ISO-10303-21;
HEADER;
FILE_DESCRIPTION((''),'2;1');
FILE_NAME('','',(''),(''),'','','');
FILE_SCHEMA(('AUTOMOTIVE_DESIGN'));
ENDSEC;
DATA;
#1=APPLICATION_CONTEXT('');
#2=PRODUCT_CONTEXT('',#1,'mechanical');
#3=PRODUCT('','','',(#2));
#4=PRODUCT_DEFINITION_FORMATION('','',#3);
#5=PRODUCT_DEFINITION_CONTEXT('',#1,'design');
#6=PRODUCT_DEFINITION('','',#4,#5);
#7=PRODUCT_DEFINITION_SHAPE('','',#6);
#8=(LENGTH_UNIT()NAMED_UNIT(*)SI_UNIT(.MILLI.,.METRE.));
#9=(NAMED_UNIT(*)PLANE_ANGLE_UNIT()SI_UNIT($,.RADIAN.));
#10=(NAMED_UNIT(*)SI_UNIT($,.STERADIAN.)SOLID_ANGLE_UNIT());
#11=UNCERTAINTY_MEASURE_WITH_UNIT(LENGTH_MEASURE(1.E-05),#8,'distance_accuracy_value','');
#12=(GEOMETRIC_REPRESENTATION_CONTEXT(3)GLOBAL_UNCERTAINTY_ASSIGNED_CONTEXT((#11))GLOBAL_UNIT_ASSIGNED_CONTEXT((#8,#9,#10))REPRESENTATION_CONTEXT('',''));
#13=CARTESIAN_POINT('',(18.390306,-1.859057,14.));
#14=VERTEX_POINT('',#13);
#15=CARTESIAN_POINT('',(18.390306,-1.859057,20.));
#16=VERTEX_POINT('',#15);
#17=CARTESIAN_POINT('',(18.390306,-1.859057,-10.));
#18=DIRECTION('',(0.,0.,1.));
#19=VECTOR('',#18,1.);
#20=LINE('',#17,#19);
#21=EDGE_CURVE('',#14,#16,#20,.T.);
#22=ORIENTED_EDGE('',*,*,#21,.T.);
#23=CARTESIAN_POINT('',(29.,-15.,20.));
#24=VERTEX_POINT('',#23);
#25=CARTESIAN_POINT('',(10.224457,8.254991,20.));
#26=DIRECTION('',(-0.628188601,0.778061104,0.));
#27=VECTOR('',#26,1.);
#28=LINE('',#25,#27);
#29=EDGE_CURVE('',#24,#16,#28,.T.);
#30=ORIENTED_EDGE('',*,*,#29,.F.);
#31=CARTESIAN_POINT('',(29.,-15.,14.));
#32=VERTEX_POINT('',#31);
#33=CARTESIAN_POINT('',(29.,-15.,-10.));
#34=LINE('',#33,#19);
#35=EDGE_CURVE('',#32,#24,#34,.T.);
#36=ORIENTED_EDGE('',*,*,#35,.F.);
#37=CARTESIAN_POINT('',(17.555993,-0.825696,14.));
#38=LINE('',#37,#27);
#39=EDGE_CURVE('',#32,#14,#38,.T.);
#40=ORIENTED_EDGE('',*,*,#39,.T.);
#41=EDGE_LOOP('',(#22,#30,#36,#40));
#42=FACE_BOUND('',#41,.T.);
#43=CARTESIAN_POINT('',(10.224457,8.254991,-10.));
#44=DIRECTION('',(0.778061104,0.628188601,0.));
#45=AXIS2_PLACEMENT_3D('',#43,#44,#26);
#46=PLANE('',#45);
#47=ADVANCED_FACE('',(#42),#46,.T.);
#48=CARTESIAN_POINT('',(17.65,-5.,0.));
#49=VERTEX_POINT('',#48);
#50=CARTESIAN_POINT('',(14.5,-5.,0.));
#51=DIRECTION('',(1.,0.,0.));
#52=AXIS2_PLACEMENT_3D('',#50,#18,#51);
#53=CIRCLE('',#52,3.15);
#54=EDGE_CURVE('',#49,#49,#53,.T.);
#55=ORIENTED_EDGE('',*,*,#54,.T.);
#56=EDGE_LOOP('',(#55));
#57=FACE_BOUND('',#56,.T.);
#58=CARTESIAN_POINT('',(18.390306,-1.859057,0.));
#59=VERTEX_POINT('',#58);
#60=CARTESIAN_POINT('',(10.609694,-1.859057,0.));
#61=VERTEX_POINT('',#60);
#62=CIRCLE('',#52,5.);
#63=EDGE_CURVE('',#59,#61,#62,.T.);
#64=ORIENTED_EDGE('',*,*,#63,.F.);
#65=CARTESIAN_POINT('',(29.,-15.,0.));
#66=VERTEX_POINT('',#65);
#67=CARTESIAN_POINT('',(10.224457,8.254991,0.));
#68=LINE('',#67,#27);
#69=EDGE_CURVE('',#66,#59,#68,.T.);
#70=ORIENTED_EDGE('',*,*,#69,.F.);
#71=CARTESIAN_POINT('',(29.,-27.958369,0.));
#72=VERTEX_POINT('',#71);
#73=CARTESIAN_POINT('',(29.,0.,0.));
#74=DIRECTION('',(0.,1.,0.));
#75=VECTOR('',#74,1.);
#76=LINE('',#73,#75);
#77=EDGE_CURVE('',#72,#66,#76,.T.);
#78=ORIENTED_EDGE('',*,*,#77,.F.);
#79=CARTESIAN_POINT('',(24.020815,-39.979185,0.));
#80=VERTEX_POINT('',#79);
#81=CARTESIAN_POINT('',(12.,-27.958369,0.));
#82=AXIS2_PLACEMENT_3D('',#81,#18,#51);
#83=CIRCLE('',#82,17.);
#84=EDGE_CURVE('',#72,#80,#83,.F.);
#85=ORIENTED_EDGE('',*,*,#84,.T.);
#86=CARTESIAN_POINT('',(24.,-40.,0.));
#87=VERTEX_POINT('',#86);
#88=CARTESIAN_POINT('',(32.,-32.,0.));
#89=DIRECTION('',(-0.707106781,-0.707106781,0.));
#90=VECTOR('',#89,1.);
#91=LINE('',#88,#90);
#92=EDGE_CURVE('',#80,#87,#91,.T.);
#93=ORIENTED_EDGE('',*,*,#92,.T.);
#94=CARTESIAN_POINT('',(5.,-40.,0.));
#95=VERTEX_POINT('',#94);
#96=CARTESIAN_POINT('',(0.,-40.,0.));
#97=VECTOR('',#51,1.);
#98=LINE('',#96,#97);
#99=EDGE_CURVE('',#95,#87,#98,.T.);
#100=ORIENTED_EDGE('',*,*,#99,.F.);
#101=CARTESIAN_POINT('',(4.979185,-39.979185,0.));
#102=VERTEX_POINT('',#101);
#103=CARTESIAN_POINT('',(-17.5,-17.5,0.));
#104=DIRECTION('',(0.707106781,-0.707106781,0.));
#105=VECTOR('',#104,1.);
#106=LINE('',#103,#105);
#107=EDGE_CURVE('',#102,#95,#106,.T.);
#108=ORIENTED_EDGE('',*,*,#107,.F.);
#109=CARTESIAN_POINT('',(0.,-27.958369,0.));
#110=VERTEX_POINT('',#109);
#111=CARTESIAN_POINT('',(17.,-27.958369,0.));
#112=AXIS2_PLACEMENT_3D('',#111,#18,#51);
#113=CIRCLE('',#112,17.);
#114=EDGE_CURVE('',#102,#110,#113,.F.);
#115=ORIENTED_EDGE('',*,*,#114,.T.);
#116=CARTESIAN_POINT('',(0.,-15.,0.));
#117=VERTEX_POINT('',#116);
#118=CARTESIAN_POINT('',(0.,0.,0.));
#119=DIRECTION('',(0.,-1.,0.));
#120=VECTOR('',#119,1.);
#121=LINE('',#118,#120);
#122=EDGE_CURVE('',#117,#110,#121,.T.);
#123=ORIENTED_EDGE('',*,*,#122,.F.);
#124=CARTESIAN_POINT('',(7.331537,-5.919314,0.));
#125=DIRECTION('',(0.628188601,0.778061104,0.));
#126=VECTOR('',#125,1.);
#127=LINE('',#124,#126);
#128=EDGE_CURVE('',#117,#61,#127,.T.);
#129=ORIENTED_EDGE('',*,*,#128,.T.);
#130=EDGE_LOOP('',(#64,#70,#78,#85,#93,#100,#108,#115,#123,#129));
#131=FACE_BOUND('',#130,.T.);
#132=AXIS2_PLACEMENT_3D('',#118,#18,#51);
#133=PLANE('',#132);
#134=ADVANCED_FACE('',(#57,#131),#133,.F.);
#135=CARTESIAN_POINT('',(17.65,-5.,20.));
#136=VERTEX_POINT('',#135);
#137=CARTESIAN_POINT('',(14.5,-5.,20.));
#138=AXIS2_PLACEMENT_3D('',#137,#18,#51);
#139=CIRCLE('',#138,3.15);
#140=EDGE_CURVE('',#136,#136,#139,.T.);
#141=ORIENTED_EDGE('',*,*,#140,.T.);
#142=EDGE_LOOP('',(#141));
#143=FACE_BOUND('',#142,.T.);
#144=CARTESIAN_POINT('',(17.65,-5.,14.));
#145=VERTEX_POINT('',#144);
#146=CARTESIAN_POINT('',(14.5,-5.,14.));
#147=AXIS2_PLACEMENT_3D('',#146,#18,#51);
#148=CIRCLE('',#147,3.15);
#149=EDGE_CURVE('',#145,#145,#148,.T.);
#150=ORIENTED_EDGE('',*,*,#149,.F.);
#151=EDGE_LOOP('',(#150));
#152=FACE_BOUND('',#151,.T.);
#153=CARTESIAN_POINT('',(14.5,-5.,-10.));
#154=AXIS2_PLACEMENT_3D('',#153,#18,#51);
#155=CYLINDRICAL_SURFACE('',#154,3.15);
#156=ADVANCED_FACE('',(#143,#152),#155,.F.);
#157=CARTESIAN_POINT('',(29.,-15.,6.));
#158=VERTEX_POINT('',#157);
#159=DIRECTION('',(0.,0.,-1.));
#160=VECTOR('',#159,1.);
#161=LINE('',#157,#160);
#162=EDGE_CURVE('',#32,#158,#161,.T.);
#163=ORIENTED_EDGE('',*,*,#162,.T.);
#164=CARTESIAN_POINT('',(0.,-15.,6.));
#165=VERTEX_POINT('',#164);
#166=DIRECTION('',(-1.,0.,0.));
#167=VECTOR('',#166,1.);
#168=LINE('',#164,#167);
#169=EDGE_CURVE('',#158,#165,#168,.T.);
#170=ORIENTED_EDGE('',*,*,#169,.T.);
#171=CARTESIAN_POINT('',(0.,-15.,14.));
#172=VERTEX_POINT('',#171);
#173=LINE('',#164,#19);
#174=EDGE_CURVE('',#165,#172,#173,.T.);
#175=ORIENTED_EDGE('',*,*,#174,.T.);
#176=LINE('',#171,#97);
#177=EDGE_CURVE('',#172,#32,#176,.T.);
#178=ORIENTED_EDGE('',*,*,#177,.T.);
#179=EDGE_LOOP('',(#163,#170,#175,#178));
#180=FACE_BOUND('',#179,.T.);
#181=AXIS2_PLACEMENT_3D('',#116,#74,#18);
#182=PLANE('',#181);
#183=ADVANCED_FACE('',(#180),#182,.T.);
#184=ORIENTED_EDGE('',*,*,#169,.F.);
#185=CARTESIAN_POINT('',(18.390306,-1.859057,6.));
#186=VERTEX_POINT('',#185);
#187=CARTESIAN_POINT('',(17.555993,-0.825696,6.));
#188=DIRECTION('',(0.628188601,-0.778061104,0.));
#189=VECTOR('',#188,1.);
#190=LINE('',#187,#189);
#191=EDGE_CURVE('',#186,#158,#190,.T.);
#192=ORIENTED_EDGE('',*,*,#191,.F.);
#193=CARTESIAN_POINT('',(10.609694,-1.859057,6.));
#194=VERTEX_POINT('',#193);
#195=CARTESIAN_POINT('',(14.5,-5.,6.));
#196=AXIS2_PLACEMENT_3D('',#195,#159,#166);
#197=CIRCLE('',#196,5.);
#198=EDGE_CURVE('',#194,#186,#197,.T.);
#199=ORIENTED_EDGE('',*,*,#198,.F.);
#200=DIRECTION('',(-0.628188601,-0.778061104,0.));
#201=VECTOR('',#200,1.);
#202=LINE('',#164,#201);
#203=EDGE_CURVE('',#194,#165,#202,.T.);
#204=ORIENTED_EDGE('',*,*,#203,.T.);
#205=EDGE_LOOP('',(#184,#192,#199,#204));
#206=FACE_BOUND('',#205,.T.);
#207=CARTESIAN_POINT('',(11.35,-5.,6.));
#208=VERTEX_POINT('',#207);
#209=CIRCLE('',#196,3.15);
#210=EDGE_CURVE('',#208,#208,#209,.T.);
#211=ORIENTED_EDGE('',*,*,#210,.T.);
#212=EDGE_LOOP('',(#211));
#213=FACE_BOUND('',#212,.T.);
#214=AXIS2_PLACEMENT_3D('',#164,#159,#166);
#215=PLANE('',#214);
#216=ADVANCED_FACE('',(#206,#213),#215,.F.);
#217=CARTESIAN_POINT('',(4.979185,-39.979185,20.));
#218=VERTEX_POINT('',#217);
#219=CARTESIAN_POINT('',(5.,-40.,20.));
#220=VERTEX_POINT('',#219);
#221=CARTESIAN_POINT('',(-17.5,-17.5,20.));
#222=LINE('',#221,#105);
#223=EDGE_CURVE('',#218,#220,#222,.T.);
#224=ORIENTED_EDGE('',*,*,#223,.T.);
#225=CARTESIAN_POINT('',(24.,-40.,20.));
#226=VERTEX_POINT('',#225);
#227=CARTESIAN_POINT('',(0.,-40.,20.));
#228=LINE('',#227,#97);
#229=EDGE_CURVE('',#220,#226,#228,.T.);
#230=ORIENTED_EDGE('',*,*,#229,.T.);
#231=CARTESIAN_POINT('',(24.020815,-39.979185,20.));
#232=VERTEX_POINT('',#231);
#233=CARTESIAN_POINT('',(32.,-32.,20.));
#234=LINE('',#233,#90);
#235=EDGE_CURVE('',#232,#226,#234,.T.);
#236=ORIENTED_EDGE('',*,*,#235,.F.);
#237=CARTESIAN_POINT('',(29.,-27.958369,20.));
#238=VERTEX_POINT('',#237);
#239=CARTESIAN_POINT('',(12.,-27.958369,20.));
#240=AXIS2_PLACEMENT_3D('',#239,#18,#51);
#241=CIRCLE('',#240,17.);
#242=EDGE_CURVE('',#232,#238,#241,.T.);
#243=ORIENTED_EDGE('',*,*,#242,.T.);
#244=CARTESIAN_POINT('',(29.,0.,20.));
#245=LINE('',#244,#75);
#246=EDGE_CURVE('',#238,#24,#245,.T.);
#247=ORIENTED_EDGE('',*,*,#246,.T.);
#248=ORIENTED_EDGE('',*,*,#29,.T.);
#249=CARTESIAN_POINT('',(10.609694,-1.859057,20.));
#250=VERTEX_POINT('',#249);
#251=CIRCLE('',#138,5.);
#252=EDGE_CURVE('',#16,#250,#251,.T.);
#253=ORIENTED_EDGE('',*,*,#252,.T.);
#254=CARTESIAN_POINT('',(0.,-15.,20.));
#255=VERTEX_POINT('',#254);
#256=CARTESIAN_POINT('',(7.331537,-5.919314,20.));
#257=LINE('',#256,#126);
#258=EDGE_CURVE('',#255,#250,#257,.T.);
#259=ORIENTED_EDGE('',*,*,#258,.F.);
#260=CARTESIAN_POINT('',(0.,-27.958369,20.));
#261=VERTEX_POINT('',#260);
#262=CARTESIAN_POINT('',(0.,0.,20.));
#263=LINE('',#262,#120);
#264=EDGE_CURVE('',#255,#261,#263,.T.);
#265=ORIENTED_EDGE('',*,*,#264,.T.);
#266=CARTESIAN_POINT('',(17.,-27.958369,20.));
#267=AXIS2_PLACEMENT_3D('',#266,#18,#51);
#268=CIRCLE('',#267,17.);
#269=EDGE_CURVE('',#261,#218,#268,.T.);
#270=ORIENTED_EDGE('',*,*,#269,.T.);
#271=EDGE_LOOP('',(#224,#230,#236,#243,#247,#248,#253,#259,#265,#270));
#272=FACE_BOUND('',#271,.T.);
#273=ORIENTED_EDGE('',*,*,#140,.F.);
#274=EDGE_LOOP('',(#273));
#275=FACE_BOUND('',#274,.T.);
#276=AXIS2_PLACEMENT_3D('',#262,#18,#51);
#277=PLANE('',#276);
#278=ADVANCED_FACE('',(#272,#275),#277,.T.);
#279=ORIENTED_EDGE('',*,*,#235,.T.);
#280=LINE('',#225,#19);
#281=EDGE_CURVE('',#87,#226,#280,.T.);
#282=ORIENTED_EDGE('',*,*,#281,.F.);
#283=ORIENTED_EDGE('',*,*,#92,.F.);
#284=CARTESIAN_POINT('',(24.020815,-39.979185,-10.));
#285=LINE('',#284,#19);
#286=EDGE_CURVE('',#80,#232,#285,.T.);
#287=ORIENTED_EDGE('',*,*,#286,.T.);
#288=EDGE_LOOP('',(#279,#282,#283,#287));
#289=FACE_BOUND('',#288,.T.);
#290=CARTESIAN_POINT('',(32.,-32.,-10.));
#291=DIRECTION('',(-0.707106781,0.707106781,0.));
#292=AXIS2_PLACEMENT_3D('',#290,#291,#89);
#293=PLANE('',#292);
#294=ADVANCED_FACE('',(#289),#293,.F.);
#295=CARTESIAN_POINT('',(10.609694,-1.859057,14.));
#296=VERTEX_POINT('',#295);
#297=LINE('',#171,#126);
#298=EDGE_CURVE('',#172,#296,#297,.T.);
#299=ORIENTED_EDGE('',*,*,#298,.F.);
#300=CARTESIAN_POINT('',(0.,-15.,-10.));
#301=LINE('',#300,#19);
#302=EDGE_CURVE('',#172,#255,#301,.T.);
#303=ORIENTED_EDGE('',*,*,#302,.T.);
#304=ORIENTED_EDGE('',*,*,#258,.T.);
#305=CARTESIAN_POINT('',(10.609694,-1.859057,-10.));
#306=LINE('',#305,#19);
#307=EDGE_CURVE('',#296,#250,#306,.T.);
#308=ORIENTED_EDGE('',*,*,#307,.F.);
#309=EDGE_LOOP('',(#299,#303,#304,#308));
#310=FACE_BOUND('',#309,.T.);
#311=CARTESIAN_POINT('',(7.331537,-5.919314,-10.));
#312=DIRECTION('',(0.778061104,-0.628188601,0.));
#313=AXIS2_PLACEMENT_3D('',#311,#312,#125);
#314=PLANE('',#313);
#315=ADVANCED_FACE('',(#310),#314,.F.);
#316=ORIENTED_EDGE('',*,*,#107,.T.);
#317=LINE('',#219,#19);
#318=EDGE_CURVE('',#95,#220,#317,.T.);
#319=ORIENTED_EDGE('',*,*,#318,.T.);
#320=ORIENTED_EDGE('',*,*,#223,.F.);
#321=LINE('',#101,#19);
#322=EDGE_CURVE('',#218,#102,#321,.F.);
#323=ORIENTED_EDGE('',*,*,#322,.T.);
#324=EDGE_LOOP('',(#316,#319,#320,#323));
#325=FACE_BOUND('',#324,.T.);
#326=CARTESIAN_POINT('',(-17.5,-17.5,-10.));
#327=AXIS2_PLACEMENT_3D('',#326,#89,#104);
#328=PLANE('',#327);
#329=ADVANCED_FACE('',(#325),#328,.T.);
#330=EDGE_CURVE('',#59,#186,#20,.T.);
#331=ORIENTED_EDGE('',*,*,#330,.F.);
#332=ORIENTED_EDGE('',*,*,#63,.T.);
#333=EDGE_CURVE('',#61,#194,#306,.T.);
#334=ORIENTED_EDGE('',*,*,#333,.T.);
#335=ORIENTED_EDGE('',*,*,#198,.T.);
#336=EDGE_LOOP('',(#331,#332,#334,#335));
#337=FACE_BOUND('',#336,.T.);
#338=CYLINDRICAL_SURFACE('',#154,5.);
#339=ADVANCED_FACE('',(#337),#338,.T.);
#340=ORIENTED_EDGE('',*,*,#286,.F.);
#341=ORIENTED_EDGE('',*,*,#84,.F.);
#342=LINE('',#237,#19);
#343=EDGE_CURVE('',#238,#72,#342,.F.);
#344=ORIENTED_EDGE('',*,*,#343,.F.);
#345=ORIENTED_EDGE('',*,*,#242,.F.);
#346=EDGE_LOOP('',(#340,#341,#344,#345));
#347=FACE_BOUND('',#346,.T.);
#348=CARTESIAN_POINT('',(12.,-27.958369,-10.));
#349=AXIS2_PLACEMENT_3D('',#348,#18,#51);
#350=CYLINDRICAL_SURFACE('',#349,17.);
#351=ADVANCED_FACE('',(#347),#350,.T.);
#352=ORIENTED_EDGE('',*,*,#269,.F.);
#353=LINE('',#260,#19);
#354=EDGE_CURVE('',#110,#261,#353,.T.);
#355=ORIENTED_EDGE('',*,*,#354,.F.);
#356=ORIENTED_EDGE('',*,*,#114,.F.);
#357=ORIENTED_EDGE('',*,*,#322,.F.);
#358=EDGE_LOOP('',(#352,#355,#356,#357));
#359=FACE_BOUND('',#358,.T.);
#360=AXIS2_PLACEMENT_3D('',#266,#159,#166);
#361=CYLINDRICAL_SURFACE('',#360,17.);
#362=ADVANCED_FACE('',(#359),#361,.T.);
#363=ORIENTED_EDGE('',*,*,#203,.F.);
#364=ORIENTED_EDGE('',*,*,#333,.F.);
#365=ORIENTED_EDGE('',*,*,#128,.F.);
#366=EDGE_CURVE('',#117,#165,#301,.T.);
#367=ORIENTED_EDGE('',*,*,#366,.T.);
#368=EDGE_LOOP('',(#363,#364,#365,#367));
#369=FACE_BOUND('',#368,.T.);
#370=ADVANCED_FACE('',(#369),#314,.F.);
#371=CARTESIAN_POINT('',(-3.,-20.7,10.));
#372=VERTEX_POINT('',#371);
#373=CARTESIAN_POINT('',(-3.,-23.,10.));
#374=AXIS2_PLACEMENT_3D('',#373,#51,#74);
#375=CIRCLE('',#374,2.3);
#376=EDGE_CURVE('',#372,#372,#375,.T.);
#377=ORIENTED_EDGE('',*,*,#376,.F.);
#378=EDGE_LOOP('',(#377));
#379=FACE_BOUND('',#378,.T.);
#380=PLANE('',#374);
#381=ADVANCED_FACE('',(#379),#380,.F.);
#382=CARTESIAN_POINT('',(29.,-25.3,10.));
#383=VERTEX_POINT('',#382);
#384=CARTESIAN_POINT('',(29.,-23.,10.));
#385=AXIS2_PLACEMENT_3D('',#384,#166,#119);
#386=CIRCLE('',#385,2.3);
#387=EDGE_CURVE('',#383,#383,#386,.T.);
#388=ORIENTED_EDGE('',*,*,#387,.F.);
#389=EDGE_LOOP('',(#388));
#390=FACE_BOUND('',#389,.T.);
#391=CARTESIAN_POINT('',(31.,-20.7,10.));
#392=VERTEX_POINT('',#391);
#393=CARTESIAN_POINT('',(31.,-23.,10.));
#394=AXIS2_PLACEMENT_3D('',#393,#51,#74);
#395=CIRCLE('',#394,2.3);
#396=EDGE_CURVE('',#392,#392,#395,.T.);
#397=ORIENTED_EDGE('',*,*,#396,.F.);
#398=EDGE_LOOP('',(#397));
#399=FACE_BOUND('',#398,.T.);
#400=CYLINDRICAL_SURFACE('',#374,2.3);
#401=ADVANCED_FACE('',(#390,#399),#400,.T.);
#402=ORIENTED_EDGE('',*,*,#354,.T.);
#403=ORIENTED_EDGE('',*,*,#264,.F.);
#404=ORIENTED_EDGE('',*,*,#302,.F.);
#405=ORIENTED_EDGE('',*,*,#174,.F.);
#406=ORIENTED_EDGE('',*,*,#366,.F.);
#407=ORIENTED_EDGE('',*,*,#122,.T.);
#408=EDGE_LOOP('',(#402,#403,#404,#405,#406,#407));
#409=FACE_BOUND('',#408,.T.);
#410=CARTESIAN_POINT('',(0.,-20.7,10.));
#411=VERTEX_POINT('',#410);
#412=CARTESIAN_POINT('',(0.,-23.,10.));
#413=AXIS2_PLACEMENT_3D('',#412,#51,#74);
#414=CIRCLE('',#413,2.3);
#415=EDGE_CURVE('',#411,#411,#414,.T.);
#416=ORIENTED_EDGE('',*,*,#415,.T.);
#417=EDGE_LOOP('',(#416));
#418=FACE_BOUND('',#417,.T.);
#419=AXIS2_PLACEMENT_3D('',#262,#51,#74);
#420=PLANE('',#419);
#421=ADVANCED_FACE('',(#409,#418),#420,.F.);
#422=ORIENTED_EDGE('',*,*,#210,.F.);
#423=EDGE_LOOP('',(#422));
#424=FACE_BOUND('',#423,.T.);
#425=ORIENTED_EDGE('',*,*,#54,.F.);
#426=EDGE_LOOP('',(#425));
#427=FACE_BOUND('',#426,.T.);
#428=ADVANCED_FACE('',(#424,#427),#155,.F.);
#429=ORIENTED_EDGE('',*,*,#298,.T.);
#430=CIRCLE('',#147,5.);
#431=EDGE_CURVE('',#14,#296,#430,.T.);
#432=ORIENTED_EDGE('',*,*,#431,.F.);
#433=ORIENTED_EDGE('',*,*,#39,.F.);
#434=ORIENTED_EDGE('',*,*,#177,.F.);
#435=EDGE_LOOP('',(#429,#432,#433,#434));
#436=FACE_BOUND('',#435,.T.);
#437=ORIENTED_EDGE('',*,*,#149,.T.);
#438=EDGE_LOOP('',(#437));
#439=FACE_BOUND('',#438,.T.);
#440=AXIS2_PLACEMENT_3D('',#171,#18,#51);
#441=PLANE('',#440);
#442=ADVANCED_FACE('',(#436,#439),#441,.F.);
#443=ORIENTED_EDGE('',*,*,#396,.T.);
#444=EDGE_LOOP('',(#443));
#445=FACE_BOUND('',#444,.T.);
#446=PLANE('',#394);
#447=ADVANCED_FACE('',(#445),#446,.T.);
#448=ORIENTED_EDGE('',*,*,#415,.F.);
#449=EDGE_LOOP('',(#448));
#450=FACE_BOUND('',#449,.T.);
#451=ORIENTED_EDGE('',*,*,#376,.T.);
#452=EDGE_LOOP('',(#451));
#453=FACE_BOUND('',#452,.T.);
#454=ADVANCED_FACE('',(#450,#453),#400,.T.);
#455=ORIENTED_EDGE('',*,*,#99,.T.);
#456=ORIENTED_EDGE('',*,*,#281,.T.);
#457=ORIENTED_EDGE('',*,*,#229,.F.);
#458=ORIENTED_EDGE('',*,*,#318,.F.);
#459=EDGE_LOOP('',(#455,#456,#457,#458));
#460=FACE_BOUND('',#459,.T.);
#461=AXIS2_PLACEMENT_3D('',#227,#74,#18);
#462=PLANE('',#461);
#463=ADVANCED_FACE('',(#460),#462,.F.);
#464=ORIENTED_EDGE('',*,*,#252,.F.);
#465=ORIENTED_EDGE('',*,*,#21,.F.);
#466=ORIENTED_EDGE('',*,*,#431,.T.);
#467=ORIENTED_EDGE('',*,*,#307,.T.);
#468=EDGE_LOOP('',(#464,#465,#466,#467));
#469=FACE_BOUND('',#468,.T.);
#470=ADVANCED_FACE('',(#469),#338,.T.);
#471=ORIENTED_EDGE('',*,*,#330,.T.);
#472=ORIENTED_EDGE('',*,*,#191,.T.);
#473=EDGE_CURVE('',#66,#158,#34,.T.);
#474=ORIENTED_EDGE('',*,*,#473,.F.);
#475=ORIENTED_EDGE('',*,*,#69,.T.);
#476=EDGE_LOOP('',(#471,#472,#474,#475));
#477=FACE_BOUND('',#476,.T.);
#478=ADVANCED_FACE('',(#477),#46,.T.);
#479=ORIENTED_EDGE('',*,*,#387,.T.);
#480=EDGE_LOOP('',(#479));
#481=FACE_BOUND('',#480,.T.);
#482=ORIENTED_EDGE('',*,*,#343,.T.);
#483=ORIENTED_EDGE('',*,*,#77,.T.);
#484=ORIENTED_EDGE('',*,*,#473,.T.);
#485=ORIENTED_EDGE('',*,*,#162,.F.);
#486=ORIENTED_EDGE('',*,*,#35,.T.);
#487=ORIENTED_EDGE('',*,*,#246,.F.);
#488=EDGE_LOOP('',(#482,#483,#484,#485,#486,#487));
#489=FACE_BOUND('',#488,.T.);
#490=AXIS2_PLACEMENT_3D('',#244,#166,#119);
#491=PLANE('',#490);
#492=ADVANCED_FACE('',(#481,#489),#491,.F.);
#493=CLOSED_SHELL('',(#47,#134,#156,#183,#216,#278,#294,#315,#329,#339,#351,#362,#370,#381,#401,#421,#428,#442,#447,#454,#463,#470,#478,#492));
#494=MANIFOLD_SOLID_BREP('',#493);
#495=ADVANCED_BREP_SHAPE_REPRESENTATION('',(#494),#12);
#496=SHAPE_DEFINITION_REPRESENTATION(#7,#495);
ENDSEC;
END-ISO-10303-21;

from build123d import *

# Parameters (mm, degrees)
SKETCH1_W                = 29
SKETCH1_H                = 40
BOSS_EXTRUDE1_DEPTH      = 20
SKETCH2_W                = 29
SKETCH2_H                = 8
CUT_EXTRUDE1_DEPTH       = 15
SKETCH3_R                = 3.15
CUT_EXTRUDE2_DEPTH       = 30
FILLET1_R                = 17
BOSS_EXTRUDE2_DEPTH      = 2
BOSS_EXTRUDE2_DEPTH_BACK = 32
SKETCH4_R                = 2.3


with BuildPart() as part:
    # Sketch1 → Boss-Extrude1 (new body)
    with BuildSketch(Plane.XY):
        with Locations((14.5, -20)):
            Rectangle(SKETCH1_W, SKETCH1_H)
    extrude(amount=BOSS_EXTRUDE1_DEPTH)

    # Sketch2 → Cut-Extrude1 (cut)
    with BuildSketch(Plane(origin=(0, 0, 0), x_dir=(1, 0, 0), z_dir=(0, 1, 0))):
        with Locations((14.5, -10)):
            Rectangle(SKETCH2_W, SKETCH2_H)
    extrude(amount=-CUT_EXTRUDE1_DEPTH, mode=Mode.SUBTRACT)

    # Sketch3 → Cut-Extrude2 (cut)
    with BuildSketch(Plane.XY.offset(20)):
        with BuildLine():
            Line((0, 0), (0, -15))
            Line((0, -15), (10.60969448, -1.859056995))
            ThreePointArc((10.60969448, -1.859056995), (12.344160839, -0.488641279), (14.5, 0))
            Line((14.5, 0), (0, 0))
        make_face()
        with BuildLine():
            Line((29, 0), (14.5, 0))
            ThreePointArc((14.5, 0), (16.655839161, -0.488641279), (18.39030552, -1.859056995))
            Line((18.39030552, -1.859056995), (29, -15))
            Line((29, -15), (29, 0))
        make_face()
        Polygon((5, -40), (0, -35), (0, -40), align=None)
        Polygon((29, -35), (24, -40), (29, -40), align=None)
        with Locations((14.5, -5)):
            Circle(SKETCH3_R)
    extrude(amount=-CUT_EXTRUDE2_DEPTH, mode=Mode.SUBTRACT)

    # Fillet1
    fillet1_edges = [part.edges().sort_by_distance(p)[0] for p in [
        (29, -35, 10),
        (0, -35, 10),
    ]]
    fillet(fillet1_edges, radius=FILLET1_R)

    # Sketch4 → Boss-Extrude2 (add, two sides: drawn at the far end of the back side and taken through both)
    with BuildSketch(Plane(origin=(29, 0, 0), x_dir=(0, 0, -1), z_dir=(1, 0, 0)).offset(-BOSS_EXTRUDE2_DEPTH_BACK)):
        with Locations(Location((-10, -23, 0), (0, 0, 90))):
            Circle(SKETCH4_R)
    extrude(amount=BOSS_EXTRUDE2_DEPTH + BOSS_EXTRUDE2_DEPTH_BACK)


solid = part.part
